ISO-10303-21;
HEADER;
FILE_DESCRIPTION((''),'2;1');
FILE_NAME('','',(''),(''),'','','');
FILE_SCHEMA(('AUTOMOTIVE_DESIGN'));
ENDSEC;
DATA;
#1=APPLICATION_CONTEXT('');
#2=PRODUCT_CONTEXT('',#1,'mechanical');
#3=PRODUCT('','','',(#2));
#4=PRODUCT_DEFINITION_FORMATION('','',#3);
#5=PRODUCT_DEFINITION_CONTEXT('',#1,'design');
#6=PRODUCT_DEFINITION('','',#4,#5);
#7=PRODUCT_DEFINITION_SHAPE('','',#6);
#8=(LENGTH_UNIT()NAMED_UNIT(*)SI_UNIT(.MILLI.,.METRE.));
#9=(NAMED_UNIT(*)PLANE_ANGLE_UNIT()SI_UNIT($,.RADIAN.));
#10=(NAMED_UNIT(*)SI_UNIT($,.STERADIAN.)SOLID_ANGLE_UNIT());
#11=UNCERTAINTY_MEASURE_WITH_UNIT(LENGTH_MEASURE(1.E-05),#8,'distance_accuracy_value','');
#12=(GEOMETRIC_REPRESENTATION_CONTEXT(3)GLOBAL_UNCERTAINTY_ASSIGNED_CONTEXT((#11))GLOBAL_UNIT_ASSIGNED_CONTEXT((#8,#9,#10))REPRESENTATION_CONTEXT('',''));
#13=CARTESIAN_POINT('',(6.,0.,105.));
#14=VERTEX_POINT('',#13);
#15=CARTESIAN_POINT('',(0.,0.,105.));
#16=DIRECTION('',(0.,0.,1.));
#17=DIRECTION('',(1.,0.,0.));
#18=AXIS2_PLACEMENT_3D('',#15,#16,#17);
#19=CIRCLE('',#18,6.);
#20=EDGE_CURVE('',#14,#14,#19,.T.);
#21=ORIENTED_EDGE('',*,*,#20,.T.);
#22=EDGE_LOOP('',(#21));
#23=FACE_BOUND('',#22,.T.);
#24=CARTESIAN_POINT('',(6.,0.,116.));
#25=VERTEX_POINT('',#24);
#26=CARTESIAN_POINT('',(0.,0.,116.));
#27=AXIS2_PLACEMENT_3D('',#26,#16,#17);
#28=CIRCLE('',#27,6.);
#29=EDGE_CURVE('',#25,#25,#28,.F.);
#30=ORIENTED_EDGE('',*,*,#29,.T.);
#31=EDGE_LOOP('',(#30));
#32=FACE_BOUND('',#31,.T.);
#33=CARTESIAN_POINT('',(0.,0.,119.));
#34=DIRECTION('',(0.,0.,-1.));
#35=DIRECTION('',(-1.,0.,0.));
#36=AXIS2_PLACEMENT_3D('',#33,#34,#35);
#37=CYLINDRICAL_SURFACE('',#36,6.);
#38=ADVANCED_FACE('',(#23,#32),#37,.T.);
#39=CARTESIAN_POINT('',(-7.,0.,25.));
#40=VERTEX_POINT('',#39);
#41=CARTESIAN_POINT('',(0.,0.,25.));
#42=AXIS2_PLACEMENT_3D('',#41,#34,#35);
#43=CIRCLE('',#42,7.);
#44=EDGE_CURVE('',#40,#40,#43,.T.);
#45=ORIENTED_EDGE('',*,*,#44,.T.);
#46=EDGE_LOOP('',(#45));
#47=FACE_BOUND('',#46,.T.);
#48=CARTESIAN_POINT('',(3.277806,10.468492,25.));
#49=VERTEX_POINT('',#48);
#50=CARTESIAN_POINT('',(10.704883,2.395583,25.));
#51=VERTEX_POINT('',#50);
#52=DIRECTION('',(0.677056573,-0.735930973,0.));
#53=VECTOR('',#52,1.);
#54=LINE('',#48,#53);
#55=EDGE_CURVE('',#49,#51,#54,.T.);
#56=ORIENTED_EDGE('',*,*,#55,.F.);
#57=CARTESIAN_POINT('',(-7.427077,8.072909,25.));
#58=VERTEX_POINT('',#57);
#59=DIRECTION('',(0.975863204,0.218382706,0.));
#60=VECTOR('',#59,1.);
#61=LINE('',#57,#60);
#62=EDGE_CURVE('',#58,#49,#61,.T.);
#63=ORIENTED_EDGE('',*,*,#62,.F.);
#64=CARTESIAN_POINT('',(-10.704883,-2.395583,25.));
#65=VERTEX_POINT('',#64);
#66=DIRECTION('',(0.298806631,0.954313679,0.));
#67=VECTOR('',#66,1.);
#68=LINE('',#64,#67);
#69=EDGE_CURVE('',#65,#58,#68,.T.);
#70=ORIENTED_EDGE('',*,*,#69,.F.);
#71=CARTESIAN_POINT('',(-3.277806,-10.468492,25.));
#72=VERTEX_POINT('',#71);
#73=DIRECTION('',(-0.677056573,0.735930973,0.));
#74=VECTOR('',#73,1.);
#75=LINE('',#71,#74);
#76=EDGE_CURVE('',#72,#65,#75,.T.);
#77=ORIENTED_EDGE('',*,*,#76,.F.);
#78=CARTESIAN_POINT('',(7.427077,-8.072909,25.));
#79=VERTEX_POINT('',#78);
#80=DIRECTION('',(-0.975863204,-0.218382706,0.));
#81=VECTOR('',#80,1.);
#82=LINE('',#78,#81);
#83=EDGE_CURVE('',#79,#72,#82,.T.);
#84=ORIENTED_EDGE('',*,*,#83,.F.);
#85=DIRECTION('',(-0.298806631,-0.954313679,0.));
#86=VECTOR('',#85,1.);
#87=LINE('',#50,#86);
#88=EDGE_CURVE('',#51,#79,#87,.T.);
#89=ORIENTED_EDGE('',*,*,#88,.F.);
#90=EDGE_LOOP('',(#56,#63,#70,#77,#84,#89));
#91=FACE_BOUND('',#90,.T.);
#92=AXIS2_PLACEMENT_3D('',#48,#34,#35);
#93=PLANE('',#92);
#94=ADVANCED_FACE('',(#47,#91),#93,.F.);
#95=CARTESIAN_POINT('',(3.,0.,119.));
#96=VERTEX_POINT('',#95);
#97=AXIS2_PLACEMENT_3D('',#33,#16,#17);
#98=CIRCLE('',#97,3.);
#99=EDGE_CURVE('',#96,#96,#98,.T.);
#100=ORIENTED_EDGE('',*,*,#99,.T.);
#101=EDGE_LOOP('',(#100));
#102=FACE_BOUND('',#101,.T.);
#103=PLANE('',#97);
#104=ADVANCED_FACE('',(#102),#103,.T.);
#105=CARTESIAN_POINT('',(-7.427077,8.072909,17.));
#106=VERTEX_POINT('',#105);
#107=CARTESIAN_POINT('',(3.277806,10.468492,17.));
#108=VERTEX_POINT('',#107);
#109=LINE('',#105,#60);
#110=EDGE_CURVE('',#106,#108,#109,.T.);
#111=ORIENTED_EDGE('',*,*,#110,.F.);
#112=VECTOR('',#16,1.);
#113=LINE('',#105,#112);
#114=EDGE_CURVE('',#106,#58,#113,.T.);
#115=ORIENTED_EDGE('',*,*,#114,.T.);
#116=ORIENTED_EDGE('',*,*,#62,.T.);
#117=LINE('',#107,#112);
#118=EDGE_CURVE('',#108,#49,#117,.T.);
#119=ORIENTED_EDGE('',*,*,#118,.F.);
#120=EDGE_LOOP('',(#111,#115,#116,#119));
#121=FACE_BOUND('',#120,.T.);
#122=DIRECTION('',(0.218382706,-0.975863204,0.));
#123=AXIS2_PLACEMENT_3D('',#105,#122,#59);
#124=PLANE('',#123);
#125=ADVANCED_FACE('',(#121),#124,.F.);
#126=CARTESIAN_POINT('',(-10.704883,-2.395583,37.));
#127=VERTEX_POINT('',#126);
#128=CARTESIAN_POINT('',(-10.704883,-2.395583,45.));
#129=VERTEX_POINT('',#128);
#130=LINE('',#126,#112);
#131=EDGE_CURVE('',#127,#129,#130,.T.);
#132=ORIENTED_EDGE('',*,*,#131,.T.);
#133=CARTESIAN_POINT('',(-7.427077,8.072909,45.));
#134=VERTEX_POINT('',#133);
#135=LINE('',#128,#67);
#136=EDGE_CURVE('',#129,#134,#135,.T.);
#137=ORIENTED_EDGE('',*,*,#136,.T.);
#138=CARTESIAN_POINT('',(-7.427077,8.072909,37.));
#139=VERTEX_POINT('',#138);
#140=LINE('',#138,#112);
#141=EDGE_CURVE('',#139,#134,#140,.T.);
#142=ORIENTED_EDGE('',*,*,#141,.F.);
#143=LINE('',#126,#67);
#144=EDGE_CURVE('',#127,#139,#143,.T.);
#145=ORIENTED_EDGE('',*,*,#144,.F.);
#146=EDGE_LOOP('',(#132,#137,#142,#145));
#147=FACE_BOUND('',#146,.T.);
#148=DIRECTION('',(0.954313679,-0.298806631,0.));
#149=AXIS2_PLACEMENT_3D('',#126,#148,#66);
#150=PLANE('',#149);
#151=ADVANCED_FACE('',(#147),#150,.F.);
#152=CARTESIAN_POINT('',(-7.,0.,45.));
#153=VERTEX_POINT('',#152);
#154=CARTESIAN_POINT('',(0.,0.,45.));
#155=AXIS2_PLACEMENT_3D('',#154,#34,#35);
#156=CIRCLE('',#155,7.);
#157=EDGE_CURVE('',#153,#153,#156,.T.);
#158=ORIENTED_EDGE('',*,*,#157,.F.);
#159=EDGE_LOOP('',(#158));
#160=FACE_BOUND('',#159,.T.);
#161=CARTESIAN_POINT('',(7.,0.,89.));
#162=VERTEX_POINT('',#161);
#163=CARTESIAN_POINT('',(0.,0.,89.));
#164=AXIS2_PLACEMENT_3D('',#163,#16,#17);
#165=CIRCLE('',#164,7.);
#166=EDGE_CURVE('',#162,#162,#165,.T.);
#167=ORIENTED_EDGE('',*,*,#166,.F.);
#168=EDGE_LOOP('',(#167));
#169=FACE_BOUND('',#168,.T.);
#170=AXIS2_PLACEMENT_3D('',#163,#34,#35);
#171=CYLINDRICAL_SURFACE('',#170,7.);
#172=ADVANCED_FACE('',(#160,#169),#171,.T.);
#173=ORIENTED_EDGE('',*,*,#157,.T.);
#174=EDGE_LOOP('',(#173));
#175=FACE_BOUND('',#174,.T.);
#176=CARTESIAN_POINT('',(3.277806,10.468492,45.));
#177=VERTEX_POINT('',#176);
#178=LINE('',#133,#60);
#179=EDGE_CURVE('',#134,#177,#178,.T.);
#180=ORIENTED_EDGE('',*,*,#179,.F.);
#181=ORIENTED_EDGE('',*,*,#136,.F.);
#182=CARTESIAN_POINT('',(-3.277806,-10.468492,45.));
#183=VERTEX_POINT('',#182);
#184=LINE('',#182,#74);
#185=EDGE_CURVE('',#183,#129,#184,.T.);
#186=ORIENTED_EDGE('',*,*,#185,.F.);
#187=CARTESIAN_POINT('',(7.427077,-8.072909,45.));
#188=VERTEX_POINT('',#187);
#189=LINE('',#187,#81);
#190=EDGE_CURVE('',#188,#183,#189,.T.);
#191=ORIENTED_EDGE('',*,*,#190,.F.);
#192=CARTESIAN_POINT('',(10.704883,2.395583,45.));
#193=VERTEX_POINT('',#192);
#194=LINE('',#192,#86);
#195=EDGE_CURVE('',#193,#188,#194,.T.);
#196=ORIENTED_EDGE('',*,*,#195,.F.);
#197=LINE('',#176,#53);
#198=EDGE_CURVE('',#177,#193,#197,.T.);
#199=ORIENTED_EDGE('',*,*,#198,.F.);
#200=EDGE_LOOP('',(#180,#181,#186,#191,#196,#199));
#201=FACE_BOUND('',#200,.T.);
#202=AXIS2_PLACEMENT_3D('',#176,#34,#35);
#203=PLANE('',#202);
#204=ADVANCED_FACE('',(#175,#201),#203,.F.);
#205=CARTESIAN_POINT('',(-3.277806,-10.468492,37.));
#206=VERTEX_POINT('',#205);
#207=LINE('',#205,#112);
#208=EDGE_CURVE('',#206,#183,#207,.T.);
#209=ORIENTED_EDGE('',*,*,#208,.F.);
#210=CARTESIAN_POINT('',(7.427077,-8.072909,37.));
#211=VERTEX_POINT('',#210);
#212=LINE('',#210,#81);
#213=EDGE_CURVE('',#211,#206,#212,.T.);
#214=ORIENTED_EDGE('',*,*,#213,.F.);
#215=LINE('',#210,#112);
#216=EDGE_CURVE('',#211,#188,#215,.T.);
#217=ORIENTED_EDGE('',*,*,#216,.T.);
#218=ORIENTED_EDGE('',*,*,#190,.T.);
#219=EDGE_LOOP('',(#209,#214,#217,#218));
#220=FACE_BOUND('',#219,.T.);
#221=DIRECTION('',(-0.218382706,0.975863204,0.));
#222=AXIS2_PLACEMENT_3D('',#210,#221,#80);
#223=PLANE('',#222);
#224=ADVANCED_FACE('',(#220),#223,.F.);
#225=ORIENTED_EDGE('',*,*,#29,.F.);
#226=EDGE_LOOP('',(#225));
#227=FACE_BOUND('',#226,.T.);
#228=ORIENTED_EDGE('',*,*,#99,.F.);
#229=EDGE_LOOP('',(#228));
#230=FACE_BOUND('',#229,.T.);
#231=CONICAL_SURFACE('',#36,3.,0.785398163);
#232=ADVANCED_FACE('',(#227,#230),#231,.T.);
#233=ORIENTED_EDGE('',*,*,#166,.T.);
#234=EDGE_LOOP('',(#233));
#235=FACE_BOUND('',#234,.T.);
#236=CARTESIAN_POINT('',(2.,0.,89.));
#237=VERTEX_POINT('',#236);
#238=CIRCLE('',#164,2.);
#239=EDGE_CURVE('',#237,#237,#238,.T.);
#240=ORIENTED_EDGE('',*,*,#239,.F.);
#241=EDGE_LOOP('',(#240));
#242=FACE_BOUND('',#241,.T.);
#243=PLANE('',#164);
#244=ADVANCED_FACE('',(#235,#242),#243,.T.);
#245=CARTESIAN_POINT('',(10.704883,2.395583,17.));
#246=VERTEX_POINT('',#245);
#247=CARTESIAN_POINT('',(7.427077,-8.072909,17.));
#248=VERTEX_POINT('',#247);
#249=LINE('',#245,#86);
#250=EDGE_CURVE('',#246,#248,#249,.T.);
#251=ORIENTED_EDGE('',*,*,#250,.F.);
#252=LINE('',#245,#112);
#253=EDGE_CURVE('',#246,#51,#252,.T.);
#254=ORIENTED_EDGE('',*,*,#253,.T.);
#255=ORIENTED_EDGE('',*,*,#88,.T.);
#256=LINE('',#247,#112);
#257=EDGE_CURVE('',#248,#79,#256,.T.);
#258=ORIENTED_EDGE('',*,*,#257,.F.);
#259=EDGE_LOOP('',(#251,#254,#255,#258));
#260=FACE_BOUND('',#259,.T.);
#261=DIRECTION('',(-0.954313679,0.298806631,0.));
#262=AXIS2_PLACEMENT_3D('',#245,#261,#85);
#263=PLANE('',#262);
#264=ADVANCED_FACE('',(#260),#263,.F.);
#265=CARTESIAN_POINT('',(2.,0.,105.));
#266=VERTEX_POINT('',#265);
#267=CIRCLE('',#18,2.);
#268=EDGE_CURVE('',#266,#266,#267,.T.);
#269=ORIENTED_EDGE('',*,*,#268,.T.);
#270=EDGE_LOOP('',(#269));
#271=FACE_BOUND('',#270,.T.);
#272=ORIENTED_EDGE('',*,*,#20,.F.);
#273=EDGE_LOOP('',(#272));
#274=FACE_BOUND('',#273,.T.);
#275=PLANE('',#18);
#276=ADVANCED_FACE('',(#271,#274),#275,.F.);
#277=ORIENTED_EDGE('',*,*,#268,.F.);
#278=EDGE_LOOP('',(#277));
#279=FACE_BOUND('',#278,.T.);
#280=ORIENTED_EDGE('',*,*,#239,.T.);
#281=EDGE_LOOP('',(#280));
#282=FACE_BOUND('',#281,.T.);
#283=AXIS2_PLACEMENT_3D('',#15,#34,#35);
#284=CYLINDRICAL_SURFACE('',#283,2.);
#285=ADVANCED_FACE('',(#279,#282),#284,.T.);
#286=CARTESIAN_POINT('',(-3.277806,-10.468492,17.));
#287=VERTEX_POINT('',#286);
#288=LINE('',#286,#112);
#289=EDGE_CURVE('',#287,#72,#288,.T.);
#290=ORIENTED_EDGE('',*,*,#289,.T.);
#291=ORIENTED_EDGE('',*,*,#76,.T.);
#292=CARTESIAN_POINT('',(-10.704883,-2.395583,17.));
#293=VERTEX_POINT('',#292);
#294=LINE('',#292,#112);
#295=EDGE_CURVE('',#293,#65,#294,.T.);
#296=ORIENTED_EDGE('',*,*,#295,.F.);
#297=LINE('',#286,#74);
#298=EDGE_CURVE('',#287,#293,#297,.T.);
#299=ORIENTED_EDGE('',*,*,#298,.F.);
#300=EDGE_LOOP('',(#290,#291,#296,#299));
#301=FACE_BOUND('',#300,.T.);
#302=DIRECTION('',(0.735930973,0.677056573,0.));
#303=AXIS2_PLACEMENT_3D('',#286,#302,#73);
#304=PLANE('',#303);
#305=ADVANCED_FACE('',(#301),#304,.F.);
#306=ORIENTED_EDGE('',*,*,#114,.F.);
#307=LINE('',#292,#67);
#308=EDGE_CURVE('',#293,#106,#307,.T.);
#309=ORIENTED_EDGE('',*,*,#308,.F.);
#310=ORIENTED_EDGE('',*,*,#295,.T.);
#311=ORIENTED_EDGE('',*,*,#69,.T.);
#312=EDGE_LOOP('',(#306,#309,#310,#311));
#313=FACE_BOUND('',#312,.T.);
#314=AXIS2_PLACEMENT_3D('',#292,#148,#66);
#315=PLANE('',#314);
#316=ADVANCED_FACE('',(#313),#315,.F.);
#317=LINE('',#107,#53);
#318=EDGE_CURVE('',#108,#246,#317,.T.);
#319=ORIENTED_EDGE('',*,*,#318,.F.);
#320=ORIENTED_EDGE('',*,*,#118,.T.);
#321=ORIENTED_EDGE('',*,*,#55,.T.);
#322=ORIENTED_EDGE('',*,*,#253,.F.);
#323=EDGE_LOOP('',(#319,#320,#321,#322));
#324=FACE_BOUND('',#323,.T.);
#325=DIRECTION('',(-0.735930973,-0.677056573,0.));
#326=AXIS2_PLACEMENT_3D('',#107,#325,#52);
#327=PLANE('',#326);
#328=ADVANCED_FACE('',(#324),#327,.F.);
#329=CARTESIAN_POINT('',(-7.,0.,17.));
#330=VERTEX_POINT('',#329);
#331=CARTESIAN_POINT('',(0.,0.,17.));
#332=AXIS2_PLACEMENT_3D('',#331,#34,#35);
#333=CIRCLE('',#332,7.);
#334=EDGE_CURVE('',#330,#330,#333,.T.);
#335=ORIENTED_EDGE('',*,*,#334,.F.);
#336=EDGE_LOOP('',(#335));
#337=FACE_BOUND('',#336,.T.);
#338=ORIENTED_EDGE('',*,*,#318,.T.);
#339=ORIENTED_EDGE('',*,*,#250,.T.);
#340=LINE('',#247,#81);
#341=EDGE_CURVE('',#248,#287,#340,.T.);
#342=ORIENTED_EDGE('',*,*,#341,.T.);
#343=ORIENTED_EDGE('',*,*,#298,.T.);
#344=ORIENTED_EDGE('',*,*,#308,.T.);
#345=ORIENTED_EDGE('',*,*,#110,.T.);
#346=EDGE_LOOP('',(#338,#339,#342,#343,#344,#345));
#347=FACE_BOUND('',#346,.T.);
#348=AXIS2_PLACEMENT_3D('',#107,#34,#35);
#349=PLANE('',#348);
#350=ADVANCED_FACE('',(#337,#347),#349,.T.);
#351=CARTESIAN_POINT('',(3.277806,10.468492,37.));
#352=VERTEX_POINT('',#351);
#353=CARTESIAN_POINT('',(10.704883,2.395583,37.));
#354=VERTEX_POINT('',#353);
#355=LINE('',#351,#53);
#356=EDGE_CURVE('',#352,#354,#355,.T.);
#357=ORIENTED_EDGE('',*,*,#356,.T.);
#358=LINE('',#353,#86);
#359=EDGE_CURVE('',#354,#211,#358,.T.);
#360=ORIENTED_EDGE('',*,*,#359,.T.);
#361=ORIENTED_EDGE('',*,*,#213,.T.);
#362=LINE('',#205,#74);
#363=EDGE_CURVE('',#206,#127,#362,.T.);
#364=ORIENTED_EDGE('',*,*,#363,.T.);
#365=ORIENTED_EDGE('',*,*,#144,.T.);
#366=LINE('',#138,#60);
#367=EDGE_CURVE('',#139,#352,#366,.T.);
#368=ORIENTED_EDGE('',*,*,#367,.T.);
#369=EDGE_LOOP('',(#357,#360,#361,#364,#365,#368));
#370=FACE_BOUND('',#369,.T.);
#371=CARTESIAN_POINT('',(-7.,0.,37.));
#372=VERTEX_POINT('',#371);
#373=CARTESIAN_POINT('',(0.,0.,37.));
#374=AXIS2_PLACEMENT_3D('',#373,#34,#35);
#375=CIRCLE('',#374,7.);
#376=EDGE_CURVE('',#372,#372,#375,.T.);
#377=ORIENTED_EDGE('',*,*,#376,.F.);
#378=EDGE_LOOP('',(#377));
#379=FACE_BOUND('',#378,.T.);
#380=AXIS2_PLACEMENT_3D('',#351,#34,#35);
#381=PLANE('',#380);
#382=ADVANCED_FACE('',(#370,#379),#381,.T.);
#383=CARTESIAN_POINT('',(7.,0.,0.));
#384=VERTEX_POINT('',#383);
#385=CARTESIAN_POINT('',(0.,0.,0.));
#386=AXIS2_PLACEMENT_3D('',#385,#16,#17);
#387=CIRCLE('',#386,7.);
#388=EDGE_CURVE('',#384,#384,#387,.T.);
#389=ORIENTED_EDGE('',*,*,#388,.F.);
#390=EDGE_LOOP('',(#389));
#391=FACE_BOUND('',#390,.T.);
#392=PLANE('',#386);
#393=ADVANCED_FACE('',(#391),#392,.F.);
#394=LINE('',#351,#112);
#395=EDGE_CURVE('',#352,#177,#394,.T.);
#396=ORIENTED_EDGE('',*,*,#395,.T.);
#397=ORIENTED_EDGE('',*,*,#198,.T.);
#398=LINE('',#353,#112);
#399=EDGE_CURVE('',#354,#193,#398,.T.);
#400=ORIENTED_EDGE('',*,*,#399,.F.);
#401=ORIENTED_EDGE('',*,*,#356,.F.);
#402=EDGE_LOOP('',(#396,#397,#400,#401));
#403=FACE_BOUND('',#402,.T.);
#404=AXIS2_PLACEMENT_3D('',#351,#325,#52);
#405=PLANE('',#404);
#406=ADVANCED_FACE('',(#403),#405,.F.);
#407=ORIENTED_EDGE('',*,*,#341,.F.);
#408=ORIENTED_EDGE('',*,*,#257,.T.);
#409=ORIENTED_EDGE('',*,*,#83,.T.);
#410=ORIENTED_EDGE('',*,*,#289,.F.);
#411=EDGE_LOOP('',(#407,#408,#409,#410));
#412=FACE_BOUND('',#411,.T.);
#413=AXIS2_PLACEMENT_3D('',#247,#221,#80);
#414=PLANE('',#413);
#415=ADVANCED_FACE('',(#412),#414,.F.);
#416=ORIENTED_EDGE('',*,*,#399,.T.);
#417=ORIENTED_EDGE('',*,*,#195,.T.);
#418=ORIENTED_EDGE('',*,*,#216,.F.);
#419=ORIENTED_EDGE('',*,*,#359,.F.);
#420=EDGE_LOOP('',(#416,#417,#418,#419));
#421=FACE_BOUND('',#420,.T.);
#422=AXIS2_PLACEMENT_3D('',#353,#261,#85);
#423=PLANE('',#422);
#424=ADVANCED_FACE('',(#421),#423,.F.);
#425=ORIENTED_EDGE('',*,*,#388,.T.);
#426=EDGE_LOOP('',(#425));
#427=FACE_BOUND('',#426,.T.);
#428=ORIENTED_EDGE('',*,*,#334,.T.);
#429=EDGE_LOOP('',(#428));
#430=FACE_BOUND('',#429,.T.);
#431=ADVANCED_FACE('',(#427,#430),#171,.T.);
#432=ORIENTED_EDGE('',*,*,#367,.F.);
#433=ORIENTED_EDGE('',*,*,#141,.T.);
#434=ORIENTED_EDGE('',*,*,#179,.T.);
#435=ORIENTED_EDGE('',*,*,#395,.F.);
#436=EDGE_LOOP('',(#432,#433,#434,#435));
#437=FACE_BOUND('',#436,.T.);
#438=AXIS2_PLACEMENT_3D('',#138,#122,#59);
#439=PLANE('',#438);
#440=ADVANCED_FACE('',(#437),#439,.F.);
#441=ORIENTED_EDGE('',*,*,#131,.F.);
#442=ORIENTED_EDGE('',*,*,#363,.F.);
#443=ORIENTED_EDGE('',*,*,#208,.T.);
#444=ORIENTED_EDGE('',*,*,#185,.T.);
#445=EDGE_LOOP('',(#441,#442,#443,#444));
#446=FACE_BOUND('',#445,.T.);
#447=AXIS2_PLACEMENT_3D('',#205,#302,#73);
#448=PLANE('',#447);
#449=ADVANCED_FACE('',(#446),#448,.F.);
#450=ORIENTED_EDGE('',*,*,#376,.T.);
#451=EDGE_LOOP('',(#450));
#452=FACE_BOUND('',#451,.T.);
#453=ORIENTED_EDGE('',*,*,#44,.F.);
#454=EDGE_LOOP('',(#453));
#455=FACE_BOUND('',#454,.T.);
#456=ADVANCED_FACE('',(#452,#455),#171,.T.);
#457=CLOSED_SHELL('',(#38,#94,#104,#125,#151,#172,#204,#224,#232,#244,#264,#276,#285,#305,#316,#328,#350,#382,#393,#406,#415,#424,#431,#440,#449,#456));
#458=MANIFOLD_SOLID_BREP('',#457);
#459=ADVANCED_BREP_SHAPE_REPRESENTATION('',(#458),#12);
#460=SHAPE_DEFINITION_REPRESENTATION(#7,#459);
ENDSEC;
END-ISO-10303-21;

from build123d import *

# Parameters (mm, degrees)
SKETCH_1_R             = 7
EXTRUDE_1_DEPTH        = 89
SKETCH_2_R             = 2
EXTRUDE_2_DEPTH        = 16
SKETCH_3_R             = 6
EXTRUDE_3_DEPTH        = 14
CHAMFER_1_SIZE         = 3
EXTRUDE_4_DEPTH        = 8
PATTERN_LINEAR_1_COUNT = 2
PATTERN_LINEAR_1_PITCH = 20


with BuildPart() as part:
    # 草图1 → 凸台-拉伸1 (new body)
    with BuildSketch(Plane.XY):
        Circle(SKETCH_1_R)
    extrude(amount=EXTRUDE_1_DEPTH)

    # 草图2 → 凸台-拉伸2 (add)
    with BuildSketch(Plane.XY.offset(89)):
        Circle(SKETCH_2_R)
    extrude(amount=EXTRUDE_2_DEPTH)

    # 草图3 → 凸台-拉伸3 (add)
    with BuildSketch(Plane.XY.offset(105)):
        Circle(SKETCH_3_R)
    extrude(amount=EXTRUDE_3_DEPTH)

    # 倒角1
    chamfer_1_edges = [part.edges().sort_by_distance(p)[0] for p in [
        (-6, 0, 119),
    ]]
    chamfer(chamfer_1_edges, length=CHAMFER_1_SIZE)

    # 草图4 → 凸台-拉伸4 (add)
    with BuildSketch(Plane(origin=(0, 0, 25), x_dir=(-1, 0, 0), z_dir=(0, 0, -1))):
        Polygon((-3.277805691, 10.468491925), (-10.704882792, 2.395582966), (-7.427077101, -8.07290896), (3.277805691, -10.468491925), (10.704882792, -2.395582966), (7.427077101, 8.07290896), align=None)
    extrude_4 = extrude(amount=EXTRUDE_4_DEPTH)

    # 阵列(线性)1: 凸台-拉伸4 ×2
    with Locations(*[(0, 0, i * PATTERN_LINEAR_1_PITCH) for i in range(1, PATTERN_LINEAR_1_COUNT)]):
        add(extrude_4)


solid = part.part
